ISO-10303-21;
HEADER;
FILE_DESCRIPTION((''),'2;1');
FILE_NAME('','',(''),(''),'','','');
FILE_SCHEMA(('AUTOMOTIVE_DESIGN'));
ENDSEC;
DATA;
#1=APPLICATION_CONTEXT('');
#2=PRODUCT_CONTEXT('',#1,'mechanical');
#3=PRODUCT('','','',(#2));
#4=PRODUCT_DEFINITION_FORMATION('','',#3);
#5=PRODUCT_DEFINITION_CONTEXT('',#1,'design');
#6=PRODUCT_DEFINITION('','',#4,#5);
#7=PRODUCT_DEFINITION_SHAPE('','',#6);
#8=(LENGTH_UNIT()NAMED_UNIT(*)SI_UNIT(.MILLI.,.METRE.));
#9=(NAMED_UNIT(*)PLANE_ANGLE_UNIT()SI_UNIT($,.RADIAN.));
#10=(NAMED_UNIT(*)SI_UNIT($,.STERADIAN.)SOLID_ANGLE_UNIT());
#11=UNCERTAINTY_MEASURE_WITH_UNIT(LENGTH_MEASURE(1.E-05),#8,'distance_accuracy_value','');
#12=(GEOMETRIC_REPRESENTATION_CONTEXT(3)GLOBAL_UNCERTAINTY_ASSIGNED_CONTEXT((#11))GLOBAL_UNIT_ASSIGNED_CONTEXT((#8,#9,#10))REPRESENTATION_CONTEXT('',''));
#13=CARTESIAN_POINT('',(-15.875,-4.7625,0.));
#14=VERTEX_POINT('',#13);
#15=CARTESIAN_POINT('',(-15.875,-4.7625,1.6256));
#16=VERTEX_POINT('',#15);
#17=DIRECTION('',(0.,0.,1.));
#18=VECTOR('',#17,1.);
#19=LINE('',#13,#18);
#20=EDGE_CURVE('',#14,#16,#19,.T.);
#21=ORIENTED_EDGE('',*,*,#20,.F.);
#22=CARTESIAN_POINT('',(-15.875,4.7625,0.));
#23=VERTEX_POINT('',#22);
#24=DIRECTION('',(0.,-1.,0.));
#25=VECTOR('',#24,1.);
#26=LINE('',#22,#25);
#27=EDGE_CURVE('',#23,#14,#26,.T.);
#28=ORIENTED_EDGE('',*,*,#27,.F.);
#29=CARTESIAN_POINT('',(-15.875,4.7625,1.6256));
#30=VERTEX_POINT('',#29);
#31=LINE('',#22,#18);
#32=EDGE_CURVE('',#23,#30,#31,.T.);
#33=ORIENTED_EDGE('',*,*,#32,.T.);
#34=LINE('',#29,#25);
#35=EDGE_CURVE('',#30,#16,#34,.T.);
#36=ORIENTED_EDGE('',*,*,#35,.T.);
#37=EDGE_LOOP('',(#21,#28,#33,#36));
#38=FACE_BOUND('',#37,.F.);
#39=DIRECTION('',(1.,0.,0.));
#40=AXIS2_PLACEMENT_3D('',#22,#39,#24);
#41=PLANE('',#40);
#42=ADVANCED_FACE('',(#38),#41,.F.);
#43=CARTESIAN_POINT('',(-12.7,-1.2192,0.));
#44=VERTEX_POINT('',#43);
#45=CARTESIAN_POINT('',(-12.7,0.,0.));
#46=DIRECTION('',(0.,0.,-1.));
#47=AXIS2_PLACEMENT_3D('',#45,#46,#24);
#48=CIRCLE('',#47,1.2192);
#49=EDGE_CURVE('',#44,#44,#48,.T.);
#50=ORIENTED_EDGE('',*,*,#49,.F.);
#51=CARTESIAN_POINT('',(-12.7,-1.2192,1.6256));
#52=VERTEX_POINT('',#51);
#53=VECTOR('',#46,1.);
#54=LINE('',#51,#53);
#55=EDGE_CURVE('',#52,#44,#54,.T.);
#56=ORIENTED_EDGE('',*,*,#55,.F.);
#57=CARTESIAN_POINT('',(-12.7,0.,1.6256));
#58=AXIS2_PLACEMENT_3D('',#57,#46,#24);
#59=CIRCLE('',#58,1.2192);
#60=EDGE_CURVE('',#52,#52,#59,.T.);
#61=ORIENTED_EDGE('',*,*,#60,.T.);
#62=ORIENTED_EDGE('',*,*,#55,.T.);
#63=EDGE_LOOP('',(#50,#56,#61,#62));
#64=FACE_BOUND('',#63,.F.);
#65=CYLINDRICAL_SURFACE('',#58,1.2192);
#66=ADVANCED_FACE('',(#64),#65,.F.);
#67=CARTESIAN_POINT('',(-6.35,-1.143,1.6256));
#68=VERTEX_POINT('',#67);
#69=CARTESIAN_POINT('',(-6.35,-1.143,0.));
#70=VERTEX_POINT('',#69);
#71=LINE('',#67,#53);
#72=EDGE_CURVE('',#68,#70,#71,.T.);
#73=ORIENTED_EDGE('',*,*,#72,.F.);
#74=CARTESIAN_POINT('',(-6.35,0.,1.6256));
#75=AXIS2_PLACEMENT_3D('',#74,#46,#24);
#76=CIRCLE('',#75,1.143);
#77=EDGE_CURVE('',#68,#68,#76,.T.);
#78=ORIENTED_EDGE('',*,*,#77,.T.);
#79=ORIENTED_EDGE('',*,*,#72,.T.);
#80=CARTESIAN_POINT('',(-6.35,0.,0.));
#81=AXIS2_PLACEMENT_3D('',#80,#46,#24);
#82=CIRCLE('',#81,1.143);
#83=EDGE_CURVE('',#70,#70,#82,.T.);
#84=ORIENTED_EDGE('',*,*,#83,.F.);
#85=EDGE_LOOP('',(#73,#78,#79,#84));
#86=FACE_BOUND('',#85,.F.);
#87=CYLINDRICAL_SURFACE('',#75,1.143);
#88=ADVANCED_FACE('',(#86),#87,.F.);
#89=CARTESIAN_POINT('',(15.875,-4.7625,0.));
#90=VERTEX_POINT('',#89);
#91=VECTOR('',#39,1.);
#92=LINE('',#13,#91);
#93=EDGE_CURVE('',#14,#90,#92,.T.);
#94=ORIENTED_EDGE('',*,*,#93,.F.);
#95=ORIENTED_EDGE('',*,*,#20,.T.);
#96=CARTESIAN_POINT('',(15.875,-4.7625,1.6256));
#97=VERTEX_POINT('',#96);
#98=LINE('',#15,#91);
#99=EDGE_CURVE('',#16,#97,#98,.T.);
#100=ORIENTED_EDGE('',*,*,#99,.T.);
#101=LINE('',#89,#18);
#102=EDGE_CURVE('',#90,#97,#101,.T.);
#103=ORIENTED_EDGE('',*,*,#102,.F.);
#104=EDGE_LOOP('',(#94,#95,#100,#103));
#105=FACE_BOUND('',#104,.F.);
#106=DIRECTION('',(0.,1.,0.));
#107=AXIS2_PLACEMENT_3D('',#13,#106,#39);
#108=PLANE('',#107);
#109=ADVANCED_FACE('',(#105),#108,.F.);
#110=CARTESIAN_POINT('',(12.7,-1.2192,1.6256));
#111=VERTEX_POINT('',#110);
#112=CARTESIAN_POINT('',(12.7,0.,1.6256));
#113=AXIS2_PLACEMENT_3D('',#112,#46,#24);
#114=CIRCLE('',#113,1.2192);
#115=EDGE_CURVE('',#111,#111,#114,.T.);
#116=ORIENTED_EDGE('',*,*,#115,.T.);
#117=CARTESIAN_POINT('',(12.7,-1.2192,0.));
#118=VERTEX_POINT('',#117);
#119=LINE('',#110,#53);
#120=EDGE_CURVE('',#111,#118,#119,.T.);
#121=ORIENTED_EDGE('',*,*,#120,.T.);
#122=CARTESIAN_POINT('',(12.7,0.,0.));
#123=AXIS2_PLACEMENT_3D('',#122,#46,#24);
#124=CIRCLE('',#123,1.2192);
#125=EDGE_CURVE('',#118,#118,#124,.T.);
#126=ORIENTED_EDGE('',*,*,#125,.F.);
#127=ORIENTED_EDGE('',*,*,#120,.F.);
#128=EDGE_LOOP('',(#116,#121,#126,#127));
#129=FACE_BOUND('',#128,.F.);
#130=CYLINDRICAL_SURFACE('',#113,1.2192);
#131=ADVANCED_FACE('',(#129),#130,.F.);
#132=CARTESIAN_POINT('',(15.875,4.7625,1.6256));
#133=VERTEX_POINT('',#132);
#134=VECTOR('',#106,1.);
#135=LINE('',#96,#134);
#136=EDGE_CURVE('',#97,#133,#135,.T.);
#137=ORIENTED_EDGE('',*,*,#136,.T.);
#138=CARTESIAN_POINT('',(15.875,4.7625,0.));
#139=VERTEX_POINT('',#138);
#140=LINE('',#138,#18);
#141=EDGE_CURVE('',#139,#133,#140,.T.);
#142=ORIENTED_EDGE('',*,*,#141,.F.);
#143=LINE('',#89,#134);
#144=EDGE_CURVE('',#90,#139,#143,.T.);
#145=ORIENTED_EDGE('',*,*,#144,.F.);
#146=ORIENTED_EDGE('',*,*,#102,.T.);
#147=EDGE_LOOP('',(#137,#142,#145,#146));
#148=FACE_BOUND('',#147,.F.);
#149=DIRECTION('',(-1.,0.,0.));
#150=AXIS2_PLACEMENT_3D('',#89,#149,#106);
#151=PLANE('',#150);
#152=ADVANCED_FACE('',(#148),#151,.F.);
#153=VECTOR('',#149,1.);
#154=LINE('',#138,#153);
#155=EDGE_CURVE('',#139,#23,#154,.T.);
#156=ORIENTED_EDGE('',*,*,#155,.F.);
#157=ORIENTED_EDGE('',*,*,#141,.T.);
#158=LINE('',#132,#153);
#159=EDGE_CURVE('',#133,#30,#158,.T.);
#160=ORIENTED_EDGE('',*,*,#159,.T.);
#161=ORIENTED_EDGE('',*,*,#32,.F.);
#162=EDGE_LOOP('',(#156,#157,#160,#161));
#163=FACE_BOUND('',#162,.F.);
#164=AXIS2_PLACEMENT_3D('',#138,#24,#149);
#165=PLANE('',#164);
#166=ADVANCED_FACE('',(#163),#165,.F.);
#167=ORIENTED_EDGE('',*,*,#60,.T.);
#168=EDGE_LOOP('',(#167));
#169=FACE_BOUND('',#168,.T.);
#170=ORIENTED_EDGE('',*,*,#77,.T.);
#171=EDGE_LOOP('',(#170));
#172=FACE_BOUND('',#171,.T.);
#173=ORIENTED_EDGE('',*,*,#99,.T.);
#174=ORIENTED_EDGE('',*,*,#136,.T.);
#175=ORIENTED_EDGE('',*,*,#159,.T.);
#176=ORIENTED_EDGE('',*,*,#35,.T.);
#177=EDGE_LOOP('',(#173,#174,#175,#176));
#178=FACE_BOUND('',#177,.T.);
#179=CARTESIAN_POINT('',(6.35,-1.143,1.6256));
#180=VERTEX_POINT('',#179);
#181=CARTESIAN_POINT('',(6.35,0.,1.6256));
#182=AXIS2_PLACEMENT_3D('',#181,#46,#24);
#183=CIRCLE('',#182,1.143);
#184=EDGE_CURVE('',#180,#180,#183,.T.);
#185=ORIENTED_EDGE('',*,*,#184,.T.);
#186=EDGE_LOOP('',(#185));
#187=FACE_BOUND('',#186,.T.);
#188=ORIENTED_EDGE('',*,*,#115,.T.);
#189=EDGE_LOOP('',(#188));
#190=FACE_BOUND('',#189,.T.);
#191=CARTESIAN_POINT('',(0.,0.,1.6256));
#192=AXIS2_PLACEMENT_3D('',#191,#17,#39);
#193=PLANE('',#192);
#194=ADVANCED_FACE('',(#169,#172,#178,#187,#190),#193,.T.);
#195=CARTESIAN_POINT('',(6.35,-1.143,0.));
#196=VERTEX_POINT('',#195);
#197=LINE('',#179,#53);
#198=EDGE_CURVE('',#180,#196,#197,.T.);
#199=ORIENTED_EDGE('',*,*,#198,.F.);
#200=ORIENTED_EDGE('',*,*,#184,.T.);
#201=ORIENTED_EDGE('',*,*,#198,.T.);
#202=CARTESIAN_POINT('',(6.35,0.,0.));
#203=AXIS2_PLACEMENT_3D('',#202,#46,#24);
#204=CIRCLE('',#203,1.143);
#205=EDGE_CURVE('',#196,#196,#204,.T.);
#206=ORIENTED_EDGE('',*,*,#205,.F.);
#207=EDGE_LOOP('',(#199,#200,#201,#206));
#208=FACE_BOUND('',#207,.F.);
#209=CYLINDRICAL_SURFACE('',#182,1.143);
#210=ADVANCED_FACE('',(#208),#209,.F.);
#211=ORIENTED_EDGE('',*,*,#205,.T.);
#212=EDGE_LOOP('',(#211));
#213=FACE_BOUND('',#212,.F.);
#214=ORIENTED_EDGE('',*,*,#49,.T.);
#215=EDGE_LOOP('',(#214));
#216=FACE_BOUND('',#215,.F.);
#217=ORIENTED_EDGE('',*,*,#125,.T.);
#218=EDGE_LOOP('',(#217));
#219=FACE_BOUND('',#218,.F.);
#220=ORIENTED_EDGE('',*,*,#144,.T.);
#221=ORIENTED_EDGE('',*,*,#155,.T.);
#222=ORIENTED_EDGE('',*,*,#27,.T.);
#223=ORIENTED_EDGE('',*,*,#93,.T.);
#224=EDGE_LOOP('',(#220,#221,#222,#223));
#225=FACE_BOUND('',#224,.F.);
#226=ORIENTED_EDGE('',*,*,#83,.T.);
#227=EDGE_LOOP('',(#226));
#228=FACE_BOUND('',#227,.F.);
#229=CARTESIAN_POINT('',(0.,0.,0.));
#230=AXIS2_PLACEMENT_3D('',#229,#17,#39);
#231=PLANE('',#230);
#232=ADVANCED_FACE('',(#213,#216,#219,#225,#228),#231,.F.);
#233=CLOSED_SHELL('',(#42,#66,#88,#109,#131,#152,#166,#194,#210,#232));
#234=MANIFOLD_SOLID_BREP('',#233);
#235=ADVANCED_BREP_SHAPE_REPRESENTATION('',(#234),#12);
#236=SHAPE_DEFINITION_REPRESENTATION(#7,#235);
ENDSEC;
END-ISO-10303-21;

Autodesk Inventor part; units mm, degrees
ref_plane "YZ Plane" through (0, 0, 0) normal (1, 0, 0) x (0, 1, 0)
ref_plane "XZ Plane" through (0, 0, 0) normal (0, 1, 0) x (-1, 0, 0)
ref_plane "XY Plane" through (0, 0, 0) normal (0, 0, 1) x (1, 0, 0)
sketch "Sketch1" plane through (0, 0, 0) normal (0, 0, 1) x (1, 0, 0)
  line L0 (-15.875, -4.7625) -> (15.875, -4.7625)
  line L1 (15.875, -4.7625) -> (15.875, 4.7625)
  line L2 (15.875, 4.7625) -> (-15.875, 4.7625)
  line L3 (-15.875, 4.7625) -> (-15.875, -4.7625)
  line L4 (-15.875, -4.7625) -> (15.875, 4.7625) construction
  point P0 (0, 0)
  point P1 (0, 0)
  dimension "d0" = 9.525
  dimension "d1" = 31.75
extrude "Extrusion1" add sketch "Sketch1" along normal blind 1.6256
sketch "Sketch2" plane through (0, 0, 1.6256) normal (0, 0, 1) x (1, 0, 0)
  line L0 (-22.225, 0) -> (22.225, 0) construction
  line L1 (0, -6.6675) -> (0, 6.6675) construction
  point P0 (0, 0)
  point P1 (-12.7, 0)
  point P2 (12.7, 0)
  dimension "d4" = 25.4
hole "Hole1" at (-12.7, 0, 1.6256) at (12.7, 0, 1.6256) direction (0, 0, -1) diameter 2.4384 end through all clearance for "Flat Head Machine Screw (82)" size "#2" standard "Ansi Unified Screw Threads"
sketch "Sketch3" plane through (0, 0, 1.6256) normal (0, 0, 1) x (1, 0, 0)
  line L0 (-22.225, 0) -> (22.225, 0) construction
  line L1 (0, -6.6675) -> (0, 6.6675) construction
  point P0 (0, 0)
  point P1 (-6.35, 0)
  point P2 (6.35, 0)
  dimension "d12" = 12.7
hole "Hole2" at (-6.35, 0, 1.6256) at (6.35, 0, 1.6256) direction (0, 0, -1) diameter 2.286 end through all
properties part number "J002609"
